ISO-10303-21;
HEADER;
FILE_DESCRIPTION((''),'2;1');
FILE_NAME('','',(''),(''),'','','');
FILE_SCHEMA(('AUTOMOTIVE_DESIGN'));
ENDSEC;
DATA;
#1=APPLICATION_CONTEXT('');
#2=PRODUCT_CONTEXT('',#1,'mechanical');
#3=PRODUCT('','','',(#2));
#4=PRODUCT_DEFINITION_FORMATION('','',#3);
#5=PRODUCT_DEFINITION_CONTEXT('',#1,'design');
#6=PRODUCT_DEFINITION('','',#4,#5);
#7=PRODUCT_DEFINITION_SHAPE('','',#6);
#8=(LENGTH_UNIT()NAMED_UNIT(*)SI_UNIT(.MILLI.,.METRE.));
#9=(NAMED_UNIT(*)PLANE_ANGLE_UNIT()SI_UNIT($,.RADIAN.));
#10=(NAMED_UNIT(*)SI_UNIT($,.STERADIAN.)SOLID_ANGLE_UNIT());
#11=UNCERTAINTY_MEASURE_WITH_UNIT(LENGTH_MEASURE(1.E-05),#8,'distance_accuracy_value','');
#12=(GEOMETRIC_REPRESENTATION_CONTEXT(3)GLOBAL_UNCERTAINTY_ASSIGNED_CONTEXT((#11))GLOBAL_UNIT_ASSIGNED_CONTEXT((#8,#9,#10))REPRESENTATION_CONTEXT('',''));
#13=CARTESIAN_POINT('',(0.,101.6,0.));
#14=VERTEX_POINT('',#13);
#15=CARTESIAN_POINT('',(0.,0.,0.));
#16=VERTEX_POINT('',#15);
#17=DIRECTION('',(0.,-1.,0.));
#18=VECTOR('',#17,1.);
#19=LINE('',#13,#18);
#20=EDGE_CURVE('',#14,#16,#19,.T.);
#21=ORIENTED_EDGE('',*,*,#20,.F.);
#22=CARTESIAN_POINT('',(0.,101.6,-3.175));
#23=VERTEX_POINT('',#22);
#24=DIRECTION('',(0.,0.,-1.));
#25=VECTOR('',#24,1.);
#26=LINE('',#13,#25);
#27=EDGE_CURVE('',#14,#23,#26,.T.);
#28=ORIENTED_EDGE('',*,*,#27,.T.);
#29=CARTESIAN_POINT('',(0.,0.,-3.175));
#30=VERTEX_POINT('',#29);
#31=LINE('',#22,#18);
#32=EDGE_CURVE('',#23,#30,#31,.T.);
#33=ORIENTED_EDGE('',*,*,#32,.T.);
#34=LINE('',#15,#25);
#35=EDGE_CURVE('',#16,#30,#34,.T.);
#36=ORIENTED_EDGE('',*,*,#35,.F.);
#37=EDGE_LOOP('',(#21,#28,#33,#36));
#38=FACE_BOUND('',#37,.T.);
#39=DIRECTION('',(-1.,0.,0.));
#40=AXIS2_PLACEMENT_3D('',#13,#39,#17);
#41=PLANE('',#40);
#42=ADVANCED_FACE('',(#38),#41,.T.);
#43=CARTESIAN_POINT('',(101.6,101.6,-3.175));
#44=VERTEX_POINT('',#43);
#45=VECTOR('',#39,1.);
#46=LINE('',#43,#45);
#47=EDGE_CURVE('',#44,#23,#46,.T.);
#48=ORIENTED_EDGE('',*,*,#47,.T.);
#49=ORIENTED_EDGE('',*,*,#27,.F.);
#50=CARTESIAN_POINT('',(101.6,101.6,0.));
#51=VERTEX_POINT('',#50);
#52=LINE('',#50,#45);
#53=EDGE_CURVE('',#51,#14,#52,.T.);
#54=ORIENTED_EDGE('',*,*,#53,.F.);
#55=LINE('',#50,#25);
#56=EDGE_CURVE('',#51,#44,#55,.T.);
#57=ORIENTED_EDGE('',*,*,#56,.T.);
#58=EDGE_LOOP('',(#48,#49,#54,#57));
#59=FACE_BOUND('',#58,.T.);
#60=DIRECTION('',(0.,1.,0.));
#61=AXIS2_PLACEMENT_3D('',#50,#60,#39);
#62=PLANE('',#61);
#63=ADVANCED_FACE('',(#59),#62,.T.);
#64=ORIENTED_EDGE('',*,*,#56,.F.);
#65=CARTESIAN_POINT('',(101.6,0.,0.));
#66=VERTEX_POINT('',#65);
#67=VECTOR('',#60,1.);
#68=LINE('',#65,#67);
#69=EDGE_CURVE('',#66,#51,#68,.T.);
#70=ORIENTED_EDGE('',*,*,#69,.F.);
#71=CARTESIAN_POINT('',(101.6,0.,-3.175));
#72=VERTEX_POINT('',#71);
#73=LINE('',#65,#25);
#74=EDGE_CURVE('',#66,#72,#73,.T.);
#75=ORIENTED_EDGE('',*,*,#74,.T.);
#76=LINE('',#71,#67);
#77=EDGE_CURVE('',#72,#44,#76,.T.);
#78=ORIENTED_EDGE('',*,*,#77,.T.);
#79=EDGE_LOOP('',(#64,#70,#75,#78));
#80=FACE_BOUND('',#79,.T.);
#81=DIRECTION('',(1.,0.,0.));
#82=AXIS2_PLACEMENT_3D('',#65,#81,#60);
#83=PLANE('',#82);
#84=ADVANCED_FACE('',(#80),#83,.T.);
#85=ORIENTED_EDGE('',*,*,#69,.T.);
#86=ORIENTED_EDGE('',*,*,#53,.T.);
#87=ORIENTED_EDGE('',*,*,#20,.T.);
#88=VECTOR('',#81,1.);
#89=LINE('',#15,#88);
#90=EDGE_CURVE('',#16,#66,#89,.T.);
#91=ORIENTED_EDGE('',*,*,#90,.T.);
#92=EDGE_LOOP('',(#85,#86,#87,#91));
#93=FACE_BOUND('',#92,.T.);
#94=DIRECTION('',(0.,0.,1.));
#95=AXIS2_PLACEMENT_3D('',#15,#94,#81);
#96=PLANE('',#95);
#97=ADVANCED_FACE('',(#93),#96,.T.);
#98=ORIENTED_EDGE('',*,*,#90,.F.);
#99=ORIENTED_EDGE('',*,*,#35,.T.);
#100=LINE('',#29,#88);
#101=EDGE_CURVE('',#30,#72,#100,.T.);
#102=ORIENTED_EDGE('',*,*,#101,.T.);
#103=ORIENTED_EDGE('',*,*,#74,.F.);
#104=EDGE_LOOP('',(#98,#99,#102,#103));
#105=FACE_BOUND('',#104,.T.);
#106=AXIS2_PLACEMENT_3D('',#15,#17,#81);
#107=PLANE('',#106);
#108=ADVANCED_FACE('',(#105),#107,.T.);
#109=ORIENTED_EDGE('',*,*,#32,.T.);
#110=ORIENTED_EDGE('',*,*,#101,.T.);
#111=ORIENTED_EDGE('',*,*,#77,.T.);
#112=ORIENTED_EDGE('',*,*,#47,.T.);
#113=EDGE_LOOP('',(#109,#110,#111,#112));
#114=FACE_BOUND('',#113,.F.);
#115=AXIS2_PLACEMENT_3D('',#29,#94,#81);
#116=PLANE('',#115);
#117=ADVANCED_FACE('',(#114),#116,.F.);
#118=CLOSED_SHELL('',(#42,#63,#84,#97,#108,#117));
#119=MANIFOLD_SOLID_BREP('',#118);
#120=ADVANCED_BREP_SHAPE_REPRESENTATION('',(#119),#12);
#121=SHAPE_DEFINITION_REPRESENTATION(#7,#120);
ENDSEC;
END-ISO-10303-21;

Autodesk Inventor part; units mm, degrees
ref_plane "YZ Plane" through (0, 0, 0) normal (1, 0, 0) x (0, 1, 0)
ref_plane "XZ Plane" through (0, 0, 0) normal (0, 1, 0) x (-1, 0, 0)
ref_plane "XY Plane" through (0, 0, 0) normal (0, 0, 1) x (1, 0, 0)
sketch "Sketch1" plane through (0, 0, 0) normal (0, 0, 1) x (1, 0, 0)
  line L0 (0, 0) -> (101.6, 0)
  line L1 (101.6, 0) -> (101.6, 101.6)
  line L2 (101.6, 101.6) -> (0, 101.6)
  line L3 (0, 101.6) -> (0, 0)
  dimension "d0" = 101.6
  dimension "d1" = 101.6
extrude "Extrusion1" add sketch "Sketch1" against normal blind 3.175
properties part number "Inter-rail plate"
